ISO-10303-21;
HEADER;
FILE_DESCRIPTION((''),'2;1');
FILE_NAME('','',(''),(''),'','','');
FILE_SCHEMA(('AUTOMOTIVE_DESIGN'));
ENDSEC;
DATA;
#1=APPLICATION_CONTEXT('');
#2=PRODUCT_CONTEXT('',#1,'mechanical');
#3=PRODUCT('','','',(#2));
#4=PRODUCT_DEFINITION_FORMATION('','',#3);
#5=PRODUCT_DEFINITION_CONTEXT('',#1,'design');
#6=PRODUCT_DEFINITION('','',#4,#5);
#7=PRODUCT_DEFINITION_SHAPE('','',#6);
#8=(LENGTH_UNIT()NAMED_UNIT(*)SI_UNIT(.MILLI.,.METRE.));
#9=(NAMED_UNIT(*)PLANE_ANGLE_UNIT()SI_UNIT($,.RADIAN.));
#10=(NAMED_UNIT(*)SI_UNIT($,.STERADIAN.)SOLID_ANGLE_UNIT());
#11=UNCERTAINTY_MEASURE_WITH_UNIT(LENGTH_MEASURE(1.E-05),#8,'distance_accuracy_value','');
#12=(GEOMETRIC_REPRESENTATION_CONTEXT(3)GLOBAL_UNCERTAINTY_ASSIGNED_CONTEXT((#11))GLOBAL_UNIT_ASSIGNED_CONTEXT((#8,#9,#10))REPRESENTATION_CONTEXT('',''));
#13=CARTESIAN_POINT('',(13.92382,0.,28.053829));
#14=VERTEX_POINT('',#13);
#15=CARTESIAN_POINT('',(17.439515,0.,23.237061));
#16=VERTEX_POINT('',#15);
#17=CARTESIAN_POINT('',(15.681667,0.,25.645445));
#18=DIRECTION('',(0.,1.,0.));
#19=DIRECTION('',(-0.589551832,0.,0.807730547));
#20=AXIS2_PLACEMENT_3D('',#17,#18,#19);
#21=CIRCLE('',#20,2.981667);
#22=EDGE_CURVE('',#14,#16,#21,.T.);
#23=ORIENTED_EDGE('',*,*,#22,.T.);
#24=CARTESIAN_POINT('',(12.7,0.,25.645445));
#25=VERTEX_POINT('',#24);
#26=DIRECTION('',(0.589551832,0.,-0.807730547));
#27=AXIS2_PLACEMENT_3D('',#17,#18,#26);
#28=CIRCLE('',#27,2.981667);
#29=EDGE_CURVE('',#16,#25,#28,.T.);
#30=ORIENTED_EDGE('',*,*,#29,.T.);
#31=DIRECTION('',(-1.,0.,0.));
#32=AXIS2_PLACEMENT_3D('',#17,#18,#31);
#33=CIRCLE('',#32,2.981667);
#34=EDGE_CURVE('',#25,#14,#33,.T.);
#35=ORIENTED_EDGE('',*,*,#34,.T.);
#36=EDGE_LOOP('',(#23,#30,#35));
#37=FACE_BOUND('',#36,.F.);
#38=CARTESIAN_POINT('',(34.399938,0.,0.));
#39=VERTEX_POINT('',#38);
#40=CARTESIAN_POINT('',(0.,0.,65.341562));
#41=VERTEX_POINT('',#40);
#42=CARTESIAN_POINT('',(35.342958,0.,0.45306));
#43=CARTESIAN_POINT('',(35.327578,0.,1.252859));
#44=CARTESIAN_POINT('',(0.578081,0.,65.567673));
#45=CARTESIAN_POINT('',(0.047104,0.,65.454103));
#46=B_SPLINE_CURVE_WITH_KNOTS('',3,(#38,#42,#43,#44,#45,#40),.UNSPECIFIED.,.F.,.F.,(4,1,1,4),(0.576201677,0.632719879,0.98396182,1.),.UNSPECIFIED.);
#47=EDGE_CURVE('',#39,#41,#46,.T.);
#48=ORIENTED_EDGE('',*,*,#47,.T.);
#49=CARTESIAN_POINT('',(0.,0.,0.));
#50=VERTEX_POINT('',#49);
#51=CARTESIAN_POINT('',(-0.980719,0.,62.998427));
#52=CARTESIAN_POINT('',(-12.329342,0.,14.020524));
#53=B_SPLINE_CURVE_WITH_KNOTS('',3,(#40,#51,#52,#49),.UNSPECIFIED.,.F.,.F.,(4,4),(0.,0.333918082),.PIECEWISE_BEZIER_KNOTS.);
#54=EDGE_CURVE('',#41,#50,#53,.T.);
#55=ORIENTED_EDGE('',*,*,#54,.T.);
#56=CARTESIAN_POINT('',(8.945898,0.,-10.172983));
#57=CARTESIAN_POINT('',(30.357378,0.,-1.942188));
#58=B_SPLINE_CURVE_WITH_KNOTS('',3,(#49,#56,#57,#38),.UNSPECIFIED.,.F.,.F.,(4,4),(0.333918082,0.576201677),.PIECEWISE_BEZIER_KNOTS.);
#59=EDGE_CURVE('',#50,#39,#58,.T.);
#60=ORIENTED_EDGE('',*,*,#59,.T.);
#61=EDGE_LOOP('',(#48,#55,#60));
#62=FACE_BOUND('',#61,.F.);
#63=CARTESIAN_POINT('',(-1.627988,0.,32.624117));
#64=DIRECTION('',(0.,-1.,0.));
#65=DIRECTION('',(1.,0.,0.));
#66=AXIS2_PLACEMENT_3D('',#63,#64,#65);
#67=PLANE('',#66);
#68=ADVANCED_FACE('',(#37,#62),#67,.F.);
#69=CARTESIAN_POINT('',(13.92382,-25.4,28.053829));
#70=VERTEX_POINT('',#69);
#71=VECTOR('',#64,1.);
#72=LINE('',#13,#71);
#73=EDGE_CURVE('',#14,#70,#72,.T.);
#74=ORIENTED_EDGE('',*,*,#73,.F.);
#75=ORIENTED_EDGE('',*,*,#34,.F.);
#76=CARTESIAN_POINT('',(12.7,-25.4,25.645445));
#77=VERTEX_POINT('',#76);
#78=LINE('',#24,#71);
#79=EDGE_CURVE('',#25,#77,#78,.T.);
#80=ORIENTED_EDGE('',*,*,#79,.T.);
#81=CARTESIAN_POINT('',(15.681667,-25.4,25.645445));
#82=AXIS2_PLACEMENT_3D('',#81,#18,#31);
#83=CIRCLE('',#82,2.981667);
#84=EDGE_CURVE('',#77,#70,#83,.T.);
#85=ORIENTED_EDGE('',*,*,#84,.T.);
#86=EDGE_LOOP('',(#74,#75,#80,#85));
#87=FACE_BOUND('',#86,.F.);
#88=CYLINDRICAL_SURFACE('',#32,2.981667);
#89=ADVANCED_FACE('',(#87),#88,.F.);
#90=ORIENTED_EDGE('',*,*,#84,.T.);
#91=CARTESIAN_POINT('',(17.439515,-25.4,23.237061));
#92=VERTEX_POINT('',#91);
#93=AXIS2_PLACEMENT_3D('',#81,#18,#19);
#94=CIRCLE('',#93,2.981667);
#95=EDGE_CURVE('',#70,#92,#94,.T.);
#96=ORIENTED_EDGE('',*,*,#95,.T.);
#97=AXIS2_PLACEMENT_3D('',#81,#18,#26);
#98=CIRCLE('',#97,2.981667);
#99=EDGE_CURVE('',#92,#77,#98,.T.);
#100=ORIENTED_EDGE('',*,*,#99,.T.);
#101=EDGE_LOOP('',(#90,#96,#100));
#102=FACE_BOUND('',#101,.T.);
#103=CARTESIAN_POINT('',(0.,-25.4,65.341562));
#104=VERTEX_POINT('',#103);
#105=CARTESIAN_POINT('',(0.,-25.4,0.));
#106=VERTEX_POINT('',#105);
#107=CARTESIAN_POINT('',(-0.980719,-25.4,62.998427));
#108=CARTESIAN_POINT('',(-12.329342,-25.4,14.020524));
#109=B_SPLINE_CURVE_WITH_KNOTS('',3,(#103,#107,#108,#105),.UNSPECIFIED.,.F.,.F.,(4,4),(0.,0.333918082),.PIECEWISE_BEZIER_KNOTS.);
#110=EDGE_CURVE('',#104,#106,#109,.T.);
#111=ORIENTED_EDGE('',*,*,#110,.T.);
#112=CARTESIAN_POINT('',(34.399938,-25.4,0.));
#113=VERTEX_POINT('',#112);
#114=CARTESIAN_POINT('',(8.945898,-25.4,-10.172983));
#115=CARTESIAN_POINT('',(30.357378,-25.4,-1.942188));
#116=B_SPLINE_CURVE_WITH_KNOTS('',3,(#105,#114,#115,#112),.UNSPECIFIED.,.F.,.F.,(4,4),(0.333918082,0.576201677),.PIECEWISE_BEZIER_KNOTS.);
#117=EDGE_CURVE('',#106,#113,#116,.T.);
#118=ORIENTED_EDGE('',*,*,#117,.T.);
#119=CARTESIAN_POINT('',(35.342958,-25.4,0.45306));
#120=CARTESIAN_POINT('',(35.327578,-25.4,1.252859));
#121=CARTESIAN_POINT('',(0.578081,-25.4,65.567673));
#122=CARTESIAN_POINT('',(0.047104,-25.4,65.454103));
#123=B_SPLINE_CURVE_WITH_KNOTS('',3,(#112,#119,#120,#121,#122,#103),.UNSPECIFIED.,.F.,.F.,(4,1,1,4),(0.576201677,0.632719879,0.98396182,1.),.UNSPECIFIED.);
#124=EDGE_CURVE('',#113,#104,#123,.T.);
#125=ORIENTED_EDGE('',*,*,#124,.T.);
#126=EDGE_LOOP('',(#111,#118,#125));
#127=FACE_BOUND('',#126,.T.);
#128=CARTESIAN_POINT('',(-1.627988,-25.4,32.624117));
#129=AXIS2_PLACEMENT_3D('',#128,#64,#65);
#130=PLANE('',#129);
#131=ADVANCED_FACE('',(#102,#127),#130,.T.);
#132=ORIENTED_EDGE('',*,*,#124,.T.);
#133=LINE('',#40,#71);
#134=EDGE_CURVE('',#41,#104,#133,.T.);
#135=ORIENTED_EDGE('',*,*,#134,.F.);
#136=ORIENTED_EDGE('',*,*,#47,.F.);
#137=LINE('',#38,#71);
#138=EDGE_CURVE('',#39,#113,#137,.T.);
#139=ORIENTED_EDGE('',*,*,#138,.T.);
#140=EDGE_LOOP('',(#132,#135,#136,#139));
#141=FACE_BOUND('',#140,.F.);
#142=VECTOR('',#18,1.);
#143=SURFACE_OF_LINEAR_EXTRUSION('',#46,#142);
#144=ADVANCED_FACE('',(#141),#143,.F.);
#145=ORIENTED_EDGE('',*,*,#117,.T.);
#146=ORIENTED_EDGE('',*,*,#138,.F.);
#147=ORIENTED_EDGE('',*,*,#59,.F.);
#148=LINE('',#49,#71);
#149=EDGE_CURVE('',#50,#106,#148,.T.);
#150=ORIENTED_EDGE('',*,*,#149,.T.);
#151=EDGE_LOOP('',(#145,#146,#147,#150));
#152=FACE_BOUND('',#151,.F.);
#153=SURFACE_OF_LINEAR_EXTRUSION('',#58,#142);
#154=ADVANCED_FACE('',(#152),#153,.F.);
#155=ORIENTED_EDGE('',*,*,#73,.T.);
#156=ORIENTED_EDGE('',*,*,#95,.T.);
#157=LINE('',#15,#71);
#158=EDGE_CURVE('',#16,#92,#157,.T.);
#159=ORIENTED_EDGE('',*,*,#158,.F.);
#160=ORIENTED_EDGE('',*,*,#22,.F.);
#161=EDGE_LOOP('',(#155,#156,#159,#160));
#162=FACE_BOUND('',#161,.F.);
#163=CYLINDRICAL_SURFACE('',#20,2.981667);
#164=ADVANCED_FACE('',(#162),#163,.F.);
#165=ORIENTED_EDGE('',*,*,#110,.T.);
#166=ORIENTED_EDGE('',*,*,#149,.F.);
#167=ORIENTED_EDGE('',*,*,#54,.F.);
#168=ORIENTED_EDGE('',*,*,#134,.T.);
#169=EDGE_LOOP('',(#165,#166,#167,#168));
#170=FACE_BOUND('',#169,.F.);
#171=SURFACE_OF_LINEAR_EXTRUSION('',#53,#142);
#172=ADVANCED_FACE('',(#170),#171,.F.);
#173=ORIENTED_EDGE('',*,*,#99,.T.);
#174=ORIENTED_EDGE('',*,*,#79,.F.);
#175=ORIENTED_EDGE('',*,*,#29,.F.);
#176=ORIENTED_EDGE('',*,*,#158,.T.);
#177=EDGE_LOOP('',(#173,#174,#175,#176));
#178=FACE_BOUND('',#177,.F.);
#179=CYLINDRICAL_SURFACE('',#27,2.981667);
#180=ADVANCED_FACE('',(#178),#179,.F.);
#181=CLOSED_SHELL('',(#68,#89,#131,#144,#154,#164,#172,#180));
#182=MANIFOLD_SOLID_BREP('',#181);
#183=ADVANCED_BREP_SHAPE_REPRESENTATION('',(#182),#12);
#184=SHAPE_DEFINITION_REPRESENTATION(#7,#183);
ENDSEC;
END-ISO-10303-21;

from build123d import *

# Parameters (mm, degrees)
F1_DEPTH = 25.4
F3_DEPTH = 25.4


with BuildPart() as f1:
    # F0 (on Front) → F1 (new body)
    with BuildSketch(Plane.XZ):
        with BuildLine():
            add(Edge.make_bspline(
                [(0, 65.3415620327), (-0.9807187623, 62.9984271725), (-12.3293417478, 14.0205244221), (0, 0)],
                knots=[0, 0, 0, 0, 0.333918082, 0.333918082, 0.333918082, 0.333918082], degree=3))
            Line((0, 0), (0, 65.3415620327))
        make_face()
        with BuildLine():
            Line((0, 65.3415620327), (0, 0))
            Line((0, 0), (34.3999378383, 0))
            add(Edge.make_bspline(
                [(34.3999378383, 0), (35.3429576773, 0.4530598594), (35.3275782315, 1.2528593088), (0.5780810952, 65.5676734241), (0.0471041991, 65.4541034617), (0, 65.3415620327)],
                knots=[0.5762016774, 0.5762016774, 0.5762016774, 0.5762016774, 0.6327198794, 0.9839618202, 1, 1, 1, 1], degree=3))
        make_face()
        with BuildLine():
            Line((34.3999378383, 0), (0, 0))
            add(Edge.make_bspline(
                [(0, 0), (8.9458984378, -10.1729832858), (30.3573775814, -1.9421879647), (34.3999378383, 0)],
                knots=[0.333918082, 0.333918082, 0.333918082, 0.333918082, 0.5762016774, 0.5762016774, 0.5762016774, 0.5762016774], degree=3))
        make_face()
    extrude(amount=F1_DEPTH)

    # F2 (on face) → F3 (cut, through all)
    with BuildSketch(Plane(origin=(0, 0, 0), x_dir=(-1, 0, 0), z_dir=(0, 1, 0))):
        with BuildLine():
            ThreePointArc((-13.9238198233, 28.0538285248), (-18.0900508109, 27.4032922149), (-17.439514501, 23.2370612274))
            Line((-17.439514501, 23.2370612274), (-13.9238198233, 28.0538285248))
        make_face()
        with BuildLine():
            Line((-13.9238198233, 28.0538285248), (-17.439514501, 23.2370612274))
            ThreePointArc((-17.439514501, 23.2370612274), (-14.3309222973, 22.9872824702), (-12.7, 25.6454448761))
            ThreePointArc((-12.7, 25.6454448761), (-13.0235047563, 26.9961897409), (-13.9238198233, 28.0538285248))
        make_face()
    extrude(amount=-F3_DEPTH, mode=Mode.SUBTRACT)


solid = f1.part
